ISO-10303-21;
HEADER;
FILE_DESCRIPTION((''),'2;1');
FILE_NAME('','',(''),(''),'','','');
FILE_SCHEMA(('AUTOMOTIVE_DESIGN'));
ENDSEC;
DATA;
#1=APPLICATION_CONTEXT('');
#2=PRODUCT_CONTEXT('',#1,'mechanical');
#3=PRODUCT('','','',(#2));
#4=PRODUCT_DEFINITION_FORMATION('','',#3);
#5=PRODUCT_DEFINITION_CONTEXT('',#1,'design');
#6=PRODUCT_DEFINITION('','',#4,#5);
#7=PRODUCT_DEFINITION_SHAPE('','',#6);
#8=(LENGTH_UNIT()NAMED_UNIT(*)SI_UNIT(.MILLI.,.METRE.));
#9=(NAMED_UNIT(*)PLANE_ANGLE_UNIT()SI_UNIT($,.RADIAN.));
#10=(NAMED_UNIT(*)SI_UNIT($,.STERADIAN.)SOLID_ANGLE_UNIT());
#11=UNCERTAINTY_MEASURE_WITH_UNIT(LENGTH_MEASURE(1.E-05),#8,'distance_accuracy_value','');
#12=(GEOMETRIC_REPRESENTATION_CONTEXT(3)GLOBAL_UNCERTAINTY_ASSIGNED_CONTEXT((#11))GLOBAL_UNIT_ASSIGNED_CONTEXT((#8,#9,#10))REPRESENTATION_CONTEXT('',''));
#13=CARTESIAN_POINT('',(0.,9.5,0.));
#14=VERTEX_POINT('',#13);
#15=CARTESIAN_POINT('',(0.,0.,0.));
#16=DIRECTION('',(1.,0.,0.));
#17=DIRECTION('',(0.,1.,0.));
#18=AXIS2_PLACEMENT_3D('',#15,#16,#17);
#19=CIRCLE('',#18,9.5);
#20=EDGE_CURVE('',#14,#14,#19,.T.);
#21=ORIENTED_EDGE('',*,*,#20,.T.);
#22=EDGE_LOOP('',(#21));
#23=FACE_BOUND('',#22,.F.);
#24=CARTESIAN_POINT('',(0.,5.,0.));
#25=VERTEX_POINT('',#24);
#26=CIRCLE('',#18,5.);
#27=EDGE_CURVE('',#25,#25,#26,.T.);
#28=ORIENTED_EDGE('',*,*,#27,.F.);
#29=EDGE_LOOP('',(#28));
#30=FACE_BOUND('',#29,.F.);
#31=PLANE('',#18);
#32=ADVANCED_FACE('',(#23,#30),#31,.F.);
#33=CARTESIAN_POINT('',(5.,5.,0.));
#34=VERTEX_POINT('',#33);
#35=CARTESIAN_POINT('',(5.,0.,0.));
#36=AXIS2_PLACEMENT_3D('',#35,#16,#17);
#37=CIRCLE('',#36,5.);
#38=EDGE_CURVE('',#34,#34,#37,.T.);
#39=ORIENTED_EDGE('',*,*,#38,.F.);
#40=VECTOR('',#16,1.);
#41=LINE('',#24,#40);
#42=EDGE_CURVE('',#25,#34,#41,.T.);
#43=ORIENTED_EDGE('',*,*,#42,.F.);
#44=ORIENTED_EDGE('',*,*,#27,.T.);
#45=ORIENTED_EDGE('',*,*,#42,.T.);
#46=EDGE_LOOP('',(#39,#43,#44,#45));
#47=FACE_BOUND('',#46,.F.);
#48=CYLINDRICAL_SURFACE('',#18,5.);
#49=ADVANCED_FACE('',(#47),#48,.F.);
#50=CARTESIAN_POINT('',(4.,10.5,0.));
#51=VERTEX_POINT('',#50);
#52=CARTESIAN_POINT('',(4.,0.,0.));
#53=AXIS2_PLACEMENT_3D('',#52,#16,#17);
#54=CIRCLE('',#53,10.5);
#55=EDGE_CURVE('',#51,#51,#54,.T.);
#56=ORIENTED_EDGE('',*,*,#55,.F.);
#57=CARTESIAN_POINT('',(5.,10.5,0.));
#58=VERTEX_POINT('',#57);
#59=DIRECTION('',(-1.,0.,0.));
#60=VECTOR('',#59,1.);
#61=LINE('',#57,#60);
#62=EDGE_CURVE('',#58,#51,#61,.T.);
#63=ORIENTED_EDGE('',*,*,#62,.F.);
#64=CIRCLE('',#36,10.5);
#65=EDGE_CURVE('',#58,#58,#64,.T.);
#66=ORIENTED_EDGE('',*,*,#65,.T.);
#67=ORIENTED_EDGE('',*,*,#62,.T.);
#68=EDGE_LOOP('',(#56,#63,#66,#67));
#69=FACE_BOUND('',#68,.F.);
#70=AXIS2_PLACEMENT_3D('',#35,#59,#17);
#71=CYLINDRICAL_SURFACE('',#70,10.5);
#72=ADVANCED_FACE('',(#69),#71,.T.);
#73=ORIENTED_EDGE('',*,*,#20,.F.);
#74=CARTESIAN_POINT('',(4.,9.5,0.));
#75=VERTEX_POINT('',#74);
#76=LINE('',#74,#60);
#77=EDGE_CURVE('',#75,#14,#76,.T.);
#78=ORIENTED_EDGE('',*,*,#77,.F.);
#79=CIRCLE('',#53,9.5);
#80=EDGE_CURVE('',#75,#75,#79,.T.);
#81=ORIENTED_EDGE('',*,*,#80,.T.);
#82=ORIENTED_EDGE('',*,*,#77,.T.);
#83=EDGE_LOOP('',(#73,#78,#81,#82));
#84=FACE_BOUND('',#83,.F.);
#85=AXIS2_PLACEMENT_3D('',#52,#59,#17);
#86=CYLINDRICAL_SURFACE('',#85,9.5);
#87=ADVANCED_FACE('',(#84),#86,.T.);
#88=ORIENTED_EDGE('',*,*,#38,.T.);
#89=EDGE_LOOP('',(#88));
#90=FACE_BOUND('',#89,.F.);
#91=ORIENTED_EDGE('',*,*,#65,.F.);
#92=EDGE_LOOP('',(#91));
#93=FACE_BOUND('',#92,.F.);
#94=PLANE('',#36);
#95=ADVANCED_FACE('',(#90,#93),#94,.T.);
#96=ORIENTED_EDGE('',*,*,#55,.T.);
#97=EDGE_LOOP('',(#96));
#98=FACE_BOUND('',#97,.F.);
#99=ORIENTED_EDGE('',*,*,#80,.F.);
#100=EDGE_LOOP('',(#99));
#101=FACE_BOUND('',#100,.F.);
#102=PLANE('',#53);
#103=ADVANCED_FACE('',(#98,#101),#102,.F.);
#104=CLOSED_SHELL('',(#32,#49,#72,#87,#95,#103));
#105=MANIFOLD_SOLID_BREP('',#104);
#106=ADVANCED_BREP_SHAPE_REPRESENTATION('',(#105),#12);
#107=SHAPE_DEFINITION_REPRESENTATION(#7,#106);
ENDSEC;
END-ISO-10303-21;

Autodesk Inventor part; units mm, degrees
ref_plane "YZ Plane" through (0, 0, 0) normal (1, 0, 0) x (0, 1, 0)
ref_plane "XZ Plane" through (0, 0, 0) normal (0, 1, 0) x (-1, 0, 0)
ref_plane "XY Plane" through (0, 0, 0) normal (0, 0, 1) x (1, 0, 0)
sketch "Sketch1" plane through (0, 0, 0) normal (0, 0, 1) x (1, 0, 0)
  line L0 (0, 9.5) -> (0, 5)
  line L1 (0, 5) -> (5, 5)
  line L2 (5, 5) -> (5, 10.5)
  line L3 (5, 10.5) -> (4, 10.5)
  line L4 (4, 10.5) -> (4, 9.5)
  line L5 (4, 9.5) -> (0, 9.5)
  line L6 (0, 0) -> (4.5572, 0) construction
  dimension "d0" = 5
  dimension "d1" = 9.5
  dimension "d2" = 1
  dimension "d3" = 5
  dimension "d4" = 10.5
revolve "Revolution1" add sketch "Sketch1" angle 360 about axis through (0, 0, 0) along (1, 0, 0)
properties part number "F688ZZ 8mm ID Flange" material "Stainless Steel"
